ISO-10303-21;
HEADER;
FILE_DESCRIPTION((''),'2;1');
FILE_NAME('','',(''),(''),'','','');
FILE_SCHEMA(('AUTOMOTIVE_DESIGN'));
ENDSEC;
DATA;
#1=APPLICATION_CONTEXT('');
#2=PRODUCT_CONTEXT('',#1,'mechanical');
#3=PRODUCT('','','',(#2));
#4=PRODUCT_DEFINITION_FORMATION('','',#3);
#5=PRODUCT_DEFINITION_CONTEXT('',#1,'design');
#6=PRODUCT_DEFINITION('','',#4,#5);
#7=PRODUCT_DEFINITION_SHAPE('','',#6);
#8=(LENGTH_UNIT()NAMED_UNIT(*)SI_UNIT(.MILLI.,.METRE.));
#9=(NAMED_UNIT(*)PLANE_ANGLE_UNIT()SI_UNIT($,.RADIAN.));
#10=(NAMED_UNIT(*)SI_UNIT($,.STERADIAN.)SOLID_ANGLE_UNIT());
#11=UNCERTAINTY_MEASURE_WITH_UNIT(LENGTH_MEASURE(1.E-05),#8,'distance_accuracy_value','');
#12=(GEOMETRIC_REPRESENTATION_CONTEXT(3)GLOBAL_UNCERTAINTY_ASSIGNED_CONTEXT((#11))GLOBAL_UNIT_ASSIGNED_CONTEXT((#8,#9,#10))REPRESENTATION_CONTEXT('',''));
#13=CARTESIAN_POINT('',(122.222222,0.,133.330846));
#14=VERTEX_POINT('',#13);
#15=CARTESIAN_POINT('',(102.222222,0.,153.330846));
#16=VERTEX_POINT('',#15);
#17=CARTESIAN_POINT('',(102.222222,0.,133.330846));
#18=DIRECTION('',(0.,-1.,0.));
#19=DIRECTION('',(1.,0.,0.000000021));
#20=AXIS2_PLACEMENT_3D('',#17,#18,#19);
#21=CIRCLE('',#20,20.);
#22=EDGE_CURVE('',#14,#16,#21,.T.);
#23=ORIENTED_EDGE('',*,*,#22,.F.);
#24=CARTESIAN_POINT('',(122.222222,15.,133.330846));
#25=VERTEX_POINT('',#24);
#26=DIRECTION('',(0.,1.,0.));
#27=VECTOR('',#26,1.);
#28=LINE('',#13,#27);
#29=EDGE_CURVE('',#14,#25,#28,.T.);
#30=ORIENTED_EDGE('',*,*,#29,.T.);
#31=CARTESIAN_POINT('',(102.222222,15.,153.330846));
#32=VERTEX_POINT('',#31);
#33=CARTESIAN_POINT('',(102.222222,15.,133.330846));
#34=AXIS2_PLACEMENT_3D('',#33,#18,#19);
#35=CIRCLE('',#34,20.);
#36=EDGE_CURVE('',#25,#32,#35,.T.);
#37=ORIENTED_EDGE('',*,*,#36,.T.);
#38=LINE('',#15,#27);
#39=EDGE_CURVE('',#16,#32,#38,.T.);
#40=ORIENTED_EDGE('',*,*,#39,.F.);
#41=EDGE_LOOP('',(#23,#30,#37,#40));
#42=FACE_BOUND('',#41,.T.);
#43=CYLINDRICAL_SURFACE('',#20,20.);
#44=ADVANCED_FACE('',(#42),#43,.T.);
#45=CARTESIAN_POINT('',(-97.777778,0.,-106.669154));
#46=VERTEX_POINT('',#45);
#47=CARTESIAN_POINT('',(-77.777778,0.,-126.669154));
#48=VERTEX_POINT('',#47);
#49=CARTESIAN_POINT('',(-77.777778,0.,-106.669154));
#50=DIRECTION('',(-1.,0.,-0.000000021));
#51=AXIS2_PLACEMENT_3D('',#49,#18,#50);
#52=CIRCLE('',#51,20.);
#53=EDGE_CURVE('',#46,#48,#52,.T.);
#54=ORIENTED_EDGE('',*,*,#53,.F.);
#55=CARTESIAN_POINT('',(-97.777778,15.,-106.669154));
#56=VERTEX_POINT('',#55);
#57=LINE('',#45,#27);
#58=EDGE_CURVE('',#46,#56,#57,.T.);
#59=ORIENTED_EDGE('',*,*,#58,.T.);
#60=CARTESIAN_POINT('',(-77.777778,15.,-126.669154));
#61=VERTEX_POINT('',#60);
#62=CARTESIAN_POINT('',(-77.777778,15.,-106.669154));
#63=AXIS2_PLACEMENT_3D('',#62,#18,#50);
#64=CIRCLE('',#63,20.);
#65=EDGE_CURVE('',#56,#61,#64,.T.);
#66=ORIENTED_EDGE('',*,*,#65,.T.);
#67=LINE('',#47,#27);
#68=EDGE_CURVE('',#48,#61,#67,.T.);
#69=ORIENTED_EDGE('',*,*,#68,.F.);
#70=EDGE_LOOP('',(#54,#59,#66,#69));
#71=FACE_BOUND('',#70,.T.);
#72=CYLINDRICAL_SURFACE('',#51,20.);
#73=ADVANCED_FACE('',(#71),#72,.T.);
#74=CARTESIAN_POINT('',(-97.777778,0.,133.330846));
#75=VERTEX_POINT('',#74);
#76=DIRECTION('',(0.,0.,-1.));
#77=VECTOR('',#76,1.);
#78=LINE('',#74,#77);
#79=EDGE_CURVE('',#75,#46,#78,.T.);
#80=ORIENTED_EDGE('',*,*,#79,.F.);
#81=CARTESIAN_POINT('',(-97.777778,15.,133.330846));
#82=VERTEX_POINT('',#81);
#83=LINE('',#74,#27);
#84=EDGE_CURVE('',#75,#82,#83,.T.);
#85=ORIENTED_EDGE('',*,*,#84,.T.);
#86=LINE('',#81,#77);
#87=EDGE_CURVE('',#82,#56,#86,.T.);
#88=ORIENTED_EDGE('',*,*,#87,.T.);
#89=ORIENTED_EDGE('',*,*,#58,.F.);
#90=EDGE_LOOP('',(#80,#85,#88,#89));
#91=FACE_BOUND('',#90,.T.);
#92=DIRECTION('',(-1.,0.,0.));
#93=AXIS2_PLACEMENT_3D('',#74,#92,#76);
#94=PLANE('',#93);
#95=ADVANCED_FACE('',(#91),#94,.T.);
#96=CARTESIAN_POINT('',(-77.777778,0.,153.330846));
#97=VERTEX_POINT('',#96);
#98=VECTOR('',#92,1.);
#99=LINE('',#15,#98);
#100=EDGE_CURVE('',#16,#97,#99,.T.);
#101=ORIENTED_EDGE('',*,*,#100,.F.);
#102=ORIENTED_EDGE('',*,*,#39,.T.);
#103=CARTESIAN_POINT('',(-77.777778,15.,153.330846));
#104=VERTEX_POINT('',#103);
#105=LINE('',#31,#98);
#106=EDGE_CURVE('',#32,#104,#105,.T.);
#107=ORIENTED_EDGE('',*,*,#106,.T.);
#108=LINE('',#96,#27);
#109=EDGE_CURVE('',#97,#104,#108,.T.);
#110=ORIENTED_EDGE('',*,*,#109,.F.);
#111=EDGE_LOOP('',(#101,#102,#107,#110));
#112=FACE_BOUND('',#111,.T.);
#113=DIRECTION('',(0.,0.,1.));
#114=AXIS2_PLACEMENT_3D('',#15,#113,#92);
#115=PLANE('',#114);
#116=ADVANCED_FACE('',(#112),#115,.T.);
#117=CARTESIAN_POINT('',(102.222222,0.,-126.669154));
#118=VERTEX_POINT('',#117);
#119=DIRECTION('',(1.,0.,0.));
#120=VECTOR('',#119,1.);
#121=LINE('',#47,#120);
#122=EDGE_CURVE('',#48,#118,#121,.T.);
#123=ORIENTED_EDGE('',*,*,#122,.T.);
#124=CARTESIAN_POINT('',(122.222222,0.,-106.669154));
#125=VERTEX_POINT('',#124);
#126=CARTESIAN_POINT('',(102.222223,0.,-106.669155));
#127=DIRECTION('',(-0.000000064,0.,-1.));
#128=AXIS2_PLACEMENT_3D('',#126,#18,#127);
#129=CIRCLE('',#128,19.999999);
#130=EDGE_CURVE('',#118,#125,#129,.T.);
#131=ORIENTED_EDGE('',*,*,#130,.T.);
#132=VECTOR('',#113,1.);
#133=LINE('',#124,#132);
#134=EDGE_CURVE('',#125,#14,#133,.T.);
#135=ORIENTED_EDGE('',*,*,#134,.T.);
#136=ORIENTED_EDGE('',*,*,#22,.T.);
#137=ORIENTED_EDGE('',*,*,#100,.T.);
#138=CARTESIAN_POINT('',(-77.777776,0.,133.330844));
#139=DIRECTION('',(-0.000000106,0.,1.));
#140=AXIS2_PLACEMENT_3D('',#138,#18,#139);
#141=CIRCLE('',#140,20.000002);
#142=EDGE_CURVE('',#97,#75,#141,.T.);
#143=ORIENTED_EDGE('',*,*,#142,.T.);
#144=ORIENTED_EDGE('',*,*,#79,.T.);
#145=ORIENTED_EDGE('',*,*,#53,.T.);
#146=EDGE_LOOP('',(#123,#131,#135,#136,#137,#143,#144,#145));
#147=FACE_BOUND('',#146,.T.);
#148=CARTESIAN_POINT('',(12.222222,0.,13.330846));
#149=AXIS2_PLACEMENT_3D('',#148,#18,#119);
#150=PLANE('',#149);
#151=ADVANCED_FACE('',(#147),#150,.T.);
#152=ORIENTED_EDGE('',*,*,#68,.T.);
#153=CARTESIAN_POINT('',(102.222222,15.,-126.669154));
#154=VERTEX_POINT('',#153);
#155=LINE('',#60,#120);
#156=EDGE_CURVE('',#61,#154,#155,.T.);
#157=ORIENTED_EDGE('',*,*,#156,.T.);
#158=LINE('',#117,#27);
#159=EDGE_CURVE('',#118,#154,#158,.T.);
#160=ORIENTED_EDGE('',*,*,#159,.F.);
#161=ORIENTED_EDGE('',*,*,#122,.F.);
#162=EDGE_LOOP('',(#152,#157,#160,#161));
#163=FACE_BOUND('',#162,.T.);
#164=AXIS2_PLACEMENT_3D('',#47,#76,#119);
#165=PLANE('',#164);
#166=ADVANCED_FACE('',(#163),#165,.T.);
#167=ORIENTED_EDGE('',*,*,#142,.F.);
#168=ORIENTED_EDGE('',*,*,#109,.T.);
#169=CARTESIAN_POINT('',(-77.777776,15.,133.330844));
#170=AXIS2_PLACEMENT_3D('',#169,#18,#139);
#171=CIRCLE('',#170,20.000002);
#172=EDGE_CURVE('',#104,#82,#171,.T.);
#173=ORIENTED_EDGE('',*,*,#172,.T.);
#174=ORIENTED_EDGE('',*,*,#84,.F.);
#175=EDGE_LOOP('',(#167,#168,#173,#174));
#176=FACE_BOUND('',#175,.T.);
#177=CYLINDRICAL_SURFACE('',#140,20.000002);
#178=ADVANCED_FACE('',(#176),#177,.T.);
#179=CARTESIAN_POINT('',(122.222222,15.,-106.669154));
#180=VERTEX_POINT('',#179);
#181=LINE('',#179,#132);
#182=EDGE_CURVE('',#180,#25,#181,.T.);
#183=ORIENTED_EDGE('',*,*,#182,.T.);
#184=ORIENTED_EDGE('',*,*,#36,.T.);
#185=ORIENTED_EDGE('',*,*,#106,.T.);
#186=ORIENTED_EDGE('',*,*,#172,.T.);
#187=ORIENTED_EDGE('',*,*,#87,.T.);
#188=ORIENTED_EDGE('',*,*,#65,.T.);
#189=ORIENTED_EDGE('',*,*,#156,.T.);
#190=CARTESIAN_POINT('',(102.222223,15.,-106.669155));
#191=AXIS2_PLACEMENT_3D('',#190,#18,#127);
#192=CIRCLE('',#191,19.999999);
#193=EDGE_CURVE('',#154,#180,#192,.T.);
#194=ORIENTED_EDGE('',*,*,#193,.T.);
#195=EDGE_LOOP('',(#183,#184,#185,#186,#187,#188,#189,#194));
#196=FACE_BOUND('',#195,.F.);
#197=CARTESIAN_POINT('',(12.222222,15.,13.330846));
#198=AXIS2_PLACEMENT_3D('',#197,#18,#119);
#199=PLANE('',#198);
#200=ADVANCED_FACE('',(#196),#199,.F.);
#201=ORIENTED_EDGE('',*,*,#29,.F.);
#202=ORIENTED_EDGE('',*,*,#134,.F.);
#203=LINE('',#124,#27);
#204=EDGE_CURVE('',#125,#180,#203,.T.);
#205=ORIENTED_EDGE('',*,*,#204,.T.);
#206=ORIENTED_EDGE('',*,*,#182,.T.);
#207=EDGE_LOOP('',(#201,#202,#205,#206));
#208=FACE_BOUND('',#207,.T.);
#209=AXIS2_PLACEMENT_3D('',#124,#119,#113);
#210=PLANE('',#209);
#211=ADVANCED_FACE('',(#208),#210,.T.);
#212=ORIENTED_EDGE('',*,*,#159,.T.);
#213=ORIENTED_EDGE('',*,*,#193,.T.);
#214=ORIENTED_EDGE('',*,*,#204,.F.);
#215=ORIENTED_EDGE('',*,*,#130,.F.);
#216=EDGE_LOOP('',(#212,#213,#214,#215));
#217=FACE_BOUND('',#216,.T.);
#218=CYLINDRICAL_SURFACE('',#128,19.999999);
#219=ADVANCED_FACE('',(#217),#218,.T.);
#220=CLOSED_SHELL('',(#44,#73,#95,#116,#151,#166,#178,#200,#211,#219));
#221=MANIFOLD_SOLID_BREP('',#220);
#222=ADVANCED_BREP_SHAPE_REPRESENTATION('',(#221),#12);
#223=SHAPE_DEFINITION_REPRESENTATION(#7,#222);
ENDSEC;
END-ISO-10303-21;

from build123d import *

# Parameters (mm, degrees)
F1_DEPTH = 15


with BuildPart() as f1:
    # F0 (on Front) → F1 (new body)
    with BuildSketch(Plane.XZ):
        with BuildLine():
            ThreePointArc((122.222222, 133.330846), (116.364358, 147.472981), (102.222222, 153.330846))
            Line((102.222222, 153.330846), (-77.777778, 153.330846))
            ThreePointArc((-77.777778, 153.330846), (-91.919913, 147.472981), (-97.777778, 133.330846))
            Line((-97.777778, 133.330846), (-97.777778, -106.646764))
            Line((-97.777778, -106.646764), (-97.777778, -106.669154))
            ThreePointArc((-97.777778, -106.669154), (-91.919913, -120.81129), (-77.777778, -126.669154))
            Line((-77.777778, -126.669154), (102.222222, -126.669154))
            ThreePointArc((102.222222, -126.669154), (116.364358, -120.81129), (122.222222, -106.669154))
            Line((122.222222, -106.669154), (122.222222, 133.330846))
        make_face()
    extrude(amount=-F1_DEPTH)


solid = f1.part
